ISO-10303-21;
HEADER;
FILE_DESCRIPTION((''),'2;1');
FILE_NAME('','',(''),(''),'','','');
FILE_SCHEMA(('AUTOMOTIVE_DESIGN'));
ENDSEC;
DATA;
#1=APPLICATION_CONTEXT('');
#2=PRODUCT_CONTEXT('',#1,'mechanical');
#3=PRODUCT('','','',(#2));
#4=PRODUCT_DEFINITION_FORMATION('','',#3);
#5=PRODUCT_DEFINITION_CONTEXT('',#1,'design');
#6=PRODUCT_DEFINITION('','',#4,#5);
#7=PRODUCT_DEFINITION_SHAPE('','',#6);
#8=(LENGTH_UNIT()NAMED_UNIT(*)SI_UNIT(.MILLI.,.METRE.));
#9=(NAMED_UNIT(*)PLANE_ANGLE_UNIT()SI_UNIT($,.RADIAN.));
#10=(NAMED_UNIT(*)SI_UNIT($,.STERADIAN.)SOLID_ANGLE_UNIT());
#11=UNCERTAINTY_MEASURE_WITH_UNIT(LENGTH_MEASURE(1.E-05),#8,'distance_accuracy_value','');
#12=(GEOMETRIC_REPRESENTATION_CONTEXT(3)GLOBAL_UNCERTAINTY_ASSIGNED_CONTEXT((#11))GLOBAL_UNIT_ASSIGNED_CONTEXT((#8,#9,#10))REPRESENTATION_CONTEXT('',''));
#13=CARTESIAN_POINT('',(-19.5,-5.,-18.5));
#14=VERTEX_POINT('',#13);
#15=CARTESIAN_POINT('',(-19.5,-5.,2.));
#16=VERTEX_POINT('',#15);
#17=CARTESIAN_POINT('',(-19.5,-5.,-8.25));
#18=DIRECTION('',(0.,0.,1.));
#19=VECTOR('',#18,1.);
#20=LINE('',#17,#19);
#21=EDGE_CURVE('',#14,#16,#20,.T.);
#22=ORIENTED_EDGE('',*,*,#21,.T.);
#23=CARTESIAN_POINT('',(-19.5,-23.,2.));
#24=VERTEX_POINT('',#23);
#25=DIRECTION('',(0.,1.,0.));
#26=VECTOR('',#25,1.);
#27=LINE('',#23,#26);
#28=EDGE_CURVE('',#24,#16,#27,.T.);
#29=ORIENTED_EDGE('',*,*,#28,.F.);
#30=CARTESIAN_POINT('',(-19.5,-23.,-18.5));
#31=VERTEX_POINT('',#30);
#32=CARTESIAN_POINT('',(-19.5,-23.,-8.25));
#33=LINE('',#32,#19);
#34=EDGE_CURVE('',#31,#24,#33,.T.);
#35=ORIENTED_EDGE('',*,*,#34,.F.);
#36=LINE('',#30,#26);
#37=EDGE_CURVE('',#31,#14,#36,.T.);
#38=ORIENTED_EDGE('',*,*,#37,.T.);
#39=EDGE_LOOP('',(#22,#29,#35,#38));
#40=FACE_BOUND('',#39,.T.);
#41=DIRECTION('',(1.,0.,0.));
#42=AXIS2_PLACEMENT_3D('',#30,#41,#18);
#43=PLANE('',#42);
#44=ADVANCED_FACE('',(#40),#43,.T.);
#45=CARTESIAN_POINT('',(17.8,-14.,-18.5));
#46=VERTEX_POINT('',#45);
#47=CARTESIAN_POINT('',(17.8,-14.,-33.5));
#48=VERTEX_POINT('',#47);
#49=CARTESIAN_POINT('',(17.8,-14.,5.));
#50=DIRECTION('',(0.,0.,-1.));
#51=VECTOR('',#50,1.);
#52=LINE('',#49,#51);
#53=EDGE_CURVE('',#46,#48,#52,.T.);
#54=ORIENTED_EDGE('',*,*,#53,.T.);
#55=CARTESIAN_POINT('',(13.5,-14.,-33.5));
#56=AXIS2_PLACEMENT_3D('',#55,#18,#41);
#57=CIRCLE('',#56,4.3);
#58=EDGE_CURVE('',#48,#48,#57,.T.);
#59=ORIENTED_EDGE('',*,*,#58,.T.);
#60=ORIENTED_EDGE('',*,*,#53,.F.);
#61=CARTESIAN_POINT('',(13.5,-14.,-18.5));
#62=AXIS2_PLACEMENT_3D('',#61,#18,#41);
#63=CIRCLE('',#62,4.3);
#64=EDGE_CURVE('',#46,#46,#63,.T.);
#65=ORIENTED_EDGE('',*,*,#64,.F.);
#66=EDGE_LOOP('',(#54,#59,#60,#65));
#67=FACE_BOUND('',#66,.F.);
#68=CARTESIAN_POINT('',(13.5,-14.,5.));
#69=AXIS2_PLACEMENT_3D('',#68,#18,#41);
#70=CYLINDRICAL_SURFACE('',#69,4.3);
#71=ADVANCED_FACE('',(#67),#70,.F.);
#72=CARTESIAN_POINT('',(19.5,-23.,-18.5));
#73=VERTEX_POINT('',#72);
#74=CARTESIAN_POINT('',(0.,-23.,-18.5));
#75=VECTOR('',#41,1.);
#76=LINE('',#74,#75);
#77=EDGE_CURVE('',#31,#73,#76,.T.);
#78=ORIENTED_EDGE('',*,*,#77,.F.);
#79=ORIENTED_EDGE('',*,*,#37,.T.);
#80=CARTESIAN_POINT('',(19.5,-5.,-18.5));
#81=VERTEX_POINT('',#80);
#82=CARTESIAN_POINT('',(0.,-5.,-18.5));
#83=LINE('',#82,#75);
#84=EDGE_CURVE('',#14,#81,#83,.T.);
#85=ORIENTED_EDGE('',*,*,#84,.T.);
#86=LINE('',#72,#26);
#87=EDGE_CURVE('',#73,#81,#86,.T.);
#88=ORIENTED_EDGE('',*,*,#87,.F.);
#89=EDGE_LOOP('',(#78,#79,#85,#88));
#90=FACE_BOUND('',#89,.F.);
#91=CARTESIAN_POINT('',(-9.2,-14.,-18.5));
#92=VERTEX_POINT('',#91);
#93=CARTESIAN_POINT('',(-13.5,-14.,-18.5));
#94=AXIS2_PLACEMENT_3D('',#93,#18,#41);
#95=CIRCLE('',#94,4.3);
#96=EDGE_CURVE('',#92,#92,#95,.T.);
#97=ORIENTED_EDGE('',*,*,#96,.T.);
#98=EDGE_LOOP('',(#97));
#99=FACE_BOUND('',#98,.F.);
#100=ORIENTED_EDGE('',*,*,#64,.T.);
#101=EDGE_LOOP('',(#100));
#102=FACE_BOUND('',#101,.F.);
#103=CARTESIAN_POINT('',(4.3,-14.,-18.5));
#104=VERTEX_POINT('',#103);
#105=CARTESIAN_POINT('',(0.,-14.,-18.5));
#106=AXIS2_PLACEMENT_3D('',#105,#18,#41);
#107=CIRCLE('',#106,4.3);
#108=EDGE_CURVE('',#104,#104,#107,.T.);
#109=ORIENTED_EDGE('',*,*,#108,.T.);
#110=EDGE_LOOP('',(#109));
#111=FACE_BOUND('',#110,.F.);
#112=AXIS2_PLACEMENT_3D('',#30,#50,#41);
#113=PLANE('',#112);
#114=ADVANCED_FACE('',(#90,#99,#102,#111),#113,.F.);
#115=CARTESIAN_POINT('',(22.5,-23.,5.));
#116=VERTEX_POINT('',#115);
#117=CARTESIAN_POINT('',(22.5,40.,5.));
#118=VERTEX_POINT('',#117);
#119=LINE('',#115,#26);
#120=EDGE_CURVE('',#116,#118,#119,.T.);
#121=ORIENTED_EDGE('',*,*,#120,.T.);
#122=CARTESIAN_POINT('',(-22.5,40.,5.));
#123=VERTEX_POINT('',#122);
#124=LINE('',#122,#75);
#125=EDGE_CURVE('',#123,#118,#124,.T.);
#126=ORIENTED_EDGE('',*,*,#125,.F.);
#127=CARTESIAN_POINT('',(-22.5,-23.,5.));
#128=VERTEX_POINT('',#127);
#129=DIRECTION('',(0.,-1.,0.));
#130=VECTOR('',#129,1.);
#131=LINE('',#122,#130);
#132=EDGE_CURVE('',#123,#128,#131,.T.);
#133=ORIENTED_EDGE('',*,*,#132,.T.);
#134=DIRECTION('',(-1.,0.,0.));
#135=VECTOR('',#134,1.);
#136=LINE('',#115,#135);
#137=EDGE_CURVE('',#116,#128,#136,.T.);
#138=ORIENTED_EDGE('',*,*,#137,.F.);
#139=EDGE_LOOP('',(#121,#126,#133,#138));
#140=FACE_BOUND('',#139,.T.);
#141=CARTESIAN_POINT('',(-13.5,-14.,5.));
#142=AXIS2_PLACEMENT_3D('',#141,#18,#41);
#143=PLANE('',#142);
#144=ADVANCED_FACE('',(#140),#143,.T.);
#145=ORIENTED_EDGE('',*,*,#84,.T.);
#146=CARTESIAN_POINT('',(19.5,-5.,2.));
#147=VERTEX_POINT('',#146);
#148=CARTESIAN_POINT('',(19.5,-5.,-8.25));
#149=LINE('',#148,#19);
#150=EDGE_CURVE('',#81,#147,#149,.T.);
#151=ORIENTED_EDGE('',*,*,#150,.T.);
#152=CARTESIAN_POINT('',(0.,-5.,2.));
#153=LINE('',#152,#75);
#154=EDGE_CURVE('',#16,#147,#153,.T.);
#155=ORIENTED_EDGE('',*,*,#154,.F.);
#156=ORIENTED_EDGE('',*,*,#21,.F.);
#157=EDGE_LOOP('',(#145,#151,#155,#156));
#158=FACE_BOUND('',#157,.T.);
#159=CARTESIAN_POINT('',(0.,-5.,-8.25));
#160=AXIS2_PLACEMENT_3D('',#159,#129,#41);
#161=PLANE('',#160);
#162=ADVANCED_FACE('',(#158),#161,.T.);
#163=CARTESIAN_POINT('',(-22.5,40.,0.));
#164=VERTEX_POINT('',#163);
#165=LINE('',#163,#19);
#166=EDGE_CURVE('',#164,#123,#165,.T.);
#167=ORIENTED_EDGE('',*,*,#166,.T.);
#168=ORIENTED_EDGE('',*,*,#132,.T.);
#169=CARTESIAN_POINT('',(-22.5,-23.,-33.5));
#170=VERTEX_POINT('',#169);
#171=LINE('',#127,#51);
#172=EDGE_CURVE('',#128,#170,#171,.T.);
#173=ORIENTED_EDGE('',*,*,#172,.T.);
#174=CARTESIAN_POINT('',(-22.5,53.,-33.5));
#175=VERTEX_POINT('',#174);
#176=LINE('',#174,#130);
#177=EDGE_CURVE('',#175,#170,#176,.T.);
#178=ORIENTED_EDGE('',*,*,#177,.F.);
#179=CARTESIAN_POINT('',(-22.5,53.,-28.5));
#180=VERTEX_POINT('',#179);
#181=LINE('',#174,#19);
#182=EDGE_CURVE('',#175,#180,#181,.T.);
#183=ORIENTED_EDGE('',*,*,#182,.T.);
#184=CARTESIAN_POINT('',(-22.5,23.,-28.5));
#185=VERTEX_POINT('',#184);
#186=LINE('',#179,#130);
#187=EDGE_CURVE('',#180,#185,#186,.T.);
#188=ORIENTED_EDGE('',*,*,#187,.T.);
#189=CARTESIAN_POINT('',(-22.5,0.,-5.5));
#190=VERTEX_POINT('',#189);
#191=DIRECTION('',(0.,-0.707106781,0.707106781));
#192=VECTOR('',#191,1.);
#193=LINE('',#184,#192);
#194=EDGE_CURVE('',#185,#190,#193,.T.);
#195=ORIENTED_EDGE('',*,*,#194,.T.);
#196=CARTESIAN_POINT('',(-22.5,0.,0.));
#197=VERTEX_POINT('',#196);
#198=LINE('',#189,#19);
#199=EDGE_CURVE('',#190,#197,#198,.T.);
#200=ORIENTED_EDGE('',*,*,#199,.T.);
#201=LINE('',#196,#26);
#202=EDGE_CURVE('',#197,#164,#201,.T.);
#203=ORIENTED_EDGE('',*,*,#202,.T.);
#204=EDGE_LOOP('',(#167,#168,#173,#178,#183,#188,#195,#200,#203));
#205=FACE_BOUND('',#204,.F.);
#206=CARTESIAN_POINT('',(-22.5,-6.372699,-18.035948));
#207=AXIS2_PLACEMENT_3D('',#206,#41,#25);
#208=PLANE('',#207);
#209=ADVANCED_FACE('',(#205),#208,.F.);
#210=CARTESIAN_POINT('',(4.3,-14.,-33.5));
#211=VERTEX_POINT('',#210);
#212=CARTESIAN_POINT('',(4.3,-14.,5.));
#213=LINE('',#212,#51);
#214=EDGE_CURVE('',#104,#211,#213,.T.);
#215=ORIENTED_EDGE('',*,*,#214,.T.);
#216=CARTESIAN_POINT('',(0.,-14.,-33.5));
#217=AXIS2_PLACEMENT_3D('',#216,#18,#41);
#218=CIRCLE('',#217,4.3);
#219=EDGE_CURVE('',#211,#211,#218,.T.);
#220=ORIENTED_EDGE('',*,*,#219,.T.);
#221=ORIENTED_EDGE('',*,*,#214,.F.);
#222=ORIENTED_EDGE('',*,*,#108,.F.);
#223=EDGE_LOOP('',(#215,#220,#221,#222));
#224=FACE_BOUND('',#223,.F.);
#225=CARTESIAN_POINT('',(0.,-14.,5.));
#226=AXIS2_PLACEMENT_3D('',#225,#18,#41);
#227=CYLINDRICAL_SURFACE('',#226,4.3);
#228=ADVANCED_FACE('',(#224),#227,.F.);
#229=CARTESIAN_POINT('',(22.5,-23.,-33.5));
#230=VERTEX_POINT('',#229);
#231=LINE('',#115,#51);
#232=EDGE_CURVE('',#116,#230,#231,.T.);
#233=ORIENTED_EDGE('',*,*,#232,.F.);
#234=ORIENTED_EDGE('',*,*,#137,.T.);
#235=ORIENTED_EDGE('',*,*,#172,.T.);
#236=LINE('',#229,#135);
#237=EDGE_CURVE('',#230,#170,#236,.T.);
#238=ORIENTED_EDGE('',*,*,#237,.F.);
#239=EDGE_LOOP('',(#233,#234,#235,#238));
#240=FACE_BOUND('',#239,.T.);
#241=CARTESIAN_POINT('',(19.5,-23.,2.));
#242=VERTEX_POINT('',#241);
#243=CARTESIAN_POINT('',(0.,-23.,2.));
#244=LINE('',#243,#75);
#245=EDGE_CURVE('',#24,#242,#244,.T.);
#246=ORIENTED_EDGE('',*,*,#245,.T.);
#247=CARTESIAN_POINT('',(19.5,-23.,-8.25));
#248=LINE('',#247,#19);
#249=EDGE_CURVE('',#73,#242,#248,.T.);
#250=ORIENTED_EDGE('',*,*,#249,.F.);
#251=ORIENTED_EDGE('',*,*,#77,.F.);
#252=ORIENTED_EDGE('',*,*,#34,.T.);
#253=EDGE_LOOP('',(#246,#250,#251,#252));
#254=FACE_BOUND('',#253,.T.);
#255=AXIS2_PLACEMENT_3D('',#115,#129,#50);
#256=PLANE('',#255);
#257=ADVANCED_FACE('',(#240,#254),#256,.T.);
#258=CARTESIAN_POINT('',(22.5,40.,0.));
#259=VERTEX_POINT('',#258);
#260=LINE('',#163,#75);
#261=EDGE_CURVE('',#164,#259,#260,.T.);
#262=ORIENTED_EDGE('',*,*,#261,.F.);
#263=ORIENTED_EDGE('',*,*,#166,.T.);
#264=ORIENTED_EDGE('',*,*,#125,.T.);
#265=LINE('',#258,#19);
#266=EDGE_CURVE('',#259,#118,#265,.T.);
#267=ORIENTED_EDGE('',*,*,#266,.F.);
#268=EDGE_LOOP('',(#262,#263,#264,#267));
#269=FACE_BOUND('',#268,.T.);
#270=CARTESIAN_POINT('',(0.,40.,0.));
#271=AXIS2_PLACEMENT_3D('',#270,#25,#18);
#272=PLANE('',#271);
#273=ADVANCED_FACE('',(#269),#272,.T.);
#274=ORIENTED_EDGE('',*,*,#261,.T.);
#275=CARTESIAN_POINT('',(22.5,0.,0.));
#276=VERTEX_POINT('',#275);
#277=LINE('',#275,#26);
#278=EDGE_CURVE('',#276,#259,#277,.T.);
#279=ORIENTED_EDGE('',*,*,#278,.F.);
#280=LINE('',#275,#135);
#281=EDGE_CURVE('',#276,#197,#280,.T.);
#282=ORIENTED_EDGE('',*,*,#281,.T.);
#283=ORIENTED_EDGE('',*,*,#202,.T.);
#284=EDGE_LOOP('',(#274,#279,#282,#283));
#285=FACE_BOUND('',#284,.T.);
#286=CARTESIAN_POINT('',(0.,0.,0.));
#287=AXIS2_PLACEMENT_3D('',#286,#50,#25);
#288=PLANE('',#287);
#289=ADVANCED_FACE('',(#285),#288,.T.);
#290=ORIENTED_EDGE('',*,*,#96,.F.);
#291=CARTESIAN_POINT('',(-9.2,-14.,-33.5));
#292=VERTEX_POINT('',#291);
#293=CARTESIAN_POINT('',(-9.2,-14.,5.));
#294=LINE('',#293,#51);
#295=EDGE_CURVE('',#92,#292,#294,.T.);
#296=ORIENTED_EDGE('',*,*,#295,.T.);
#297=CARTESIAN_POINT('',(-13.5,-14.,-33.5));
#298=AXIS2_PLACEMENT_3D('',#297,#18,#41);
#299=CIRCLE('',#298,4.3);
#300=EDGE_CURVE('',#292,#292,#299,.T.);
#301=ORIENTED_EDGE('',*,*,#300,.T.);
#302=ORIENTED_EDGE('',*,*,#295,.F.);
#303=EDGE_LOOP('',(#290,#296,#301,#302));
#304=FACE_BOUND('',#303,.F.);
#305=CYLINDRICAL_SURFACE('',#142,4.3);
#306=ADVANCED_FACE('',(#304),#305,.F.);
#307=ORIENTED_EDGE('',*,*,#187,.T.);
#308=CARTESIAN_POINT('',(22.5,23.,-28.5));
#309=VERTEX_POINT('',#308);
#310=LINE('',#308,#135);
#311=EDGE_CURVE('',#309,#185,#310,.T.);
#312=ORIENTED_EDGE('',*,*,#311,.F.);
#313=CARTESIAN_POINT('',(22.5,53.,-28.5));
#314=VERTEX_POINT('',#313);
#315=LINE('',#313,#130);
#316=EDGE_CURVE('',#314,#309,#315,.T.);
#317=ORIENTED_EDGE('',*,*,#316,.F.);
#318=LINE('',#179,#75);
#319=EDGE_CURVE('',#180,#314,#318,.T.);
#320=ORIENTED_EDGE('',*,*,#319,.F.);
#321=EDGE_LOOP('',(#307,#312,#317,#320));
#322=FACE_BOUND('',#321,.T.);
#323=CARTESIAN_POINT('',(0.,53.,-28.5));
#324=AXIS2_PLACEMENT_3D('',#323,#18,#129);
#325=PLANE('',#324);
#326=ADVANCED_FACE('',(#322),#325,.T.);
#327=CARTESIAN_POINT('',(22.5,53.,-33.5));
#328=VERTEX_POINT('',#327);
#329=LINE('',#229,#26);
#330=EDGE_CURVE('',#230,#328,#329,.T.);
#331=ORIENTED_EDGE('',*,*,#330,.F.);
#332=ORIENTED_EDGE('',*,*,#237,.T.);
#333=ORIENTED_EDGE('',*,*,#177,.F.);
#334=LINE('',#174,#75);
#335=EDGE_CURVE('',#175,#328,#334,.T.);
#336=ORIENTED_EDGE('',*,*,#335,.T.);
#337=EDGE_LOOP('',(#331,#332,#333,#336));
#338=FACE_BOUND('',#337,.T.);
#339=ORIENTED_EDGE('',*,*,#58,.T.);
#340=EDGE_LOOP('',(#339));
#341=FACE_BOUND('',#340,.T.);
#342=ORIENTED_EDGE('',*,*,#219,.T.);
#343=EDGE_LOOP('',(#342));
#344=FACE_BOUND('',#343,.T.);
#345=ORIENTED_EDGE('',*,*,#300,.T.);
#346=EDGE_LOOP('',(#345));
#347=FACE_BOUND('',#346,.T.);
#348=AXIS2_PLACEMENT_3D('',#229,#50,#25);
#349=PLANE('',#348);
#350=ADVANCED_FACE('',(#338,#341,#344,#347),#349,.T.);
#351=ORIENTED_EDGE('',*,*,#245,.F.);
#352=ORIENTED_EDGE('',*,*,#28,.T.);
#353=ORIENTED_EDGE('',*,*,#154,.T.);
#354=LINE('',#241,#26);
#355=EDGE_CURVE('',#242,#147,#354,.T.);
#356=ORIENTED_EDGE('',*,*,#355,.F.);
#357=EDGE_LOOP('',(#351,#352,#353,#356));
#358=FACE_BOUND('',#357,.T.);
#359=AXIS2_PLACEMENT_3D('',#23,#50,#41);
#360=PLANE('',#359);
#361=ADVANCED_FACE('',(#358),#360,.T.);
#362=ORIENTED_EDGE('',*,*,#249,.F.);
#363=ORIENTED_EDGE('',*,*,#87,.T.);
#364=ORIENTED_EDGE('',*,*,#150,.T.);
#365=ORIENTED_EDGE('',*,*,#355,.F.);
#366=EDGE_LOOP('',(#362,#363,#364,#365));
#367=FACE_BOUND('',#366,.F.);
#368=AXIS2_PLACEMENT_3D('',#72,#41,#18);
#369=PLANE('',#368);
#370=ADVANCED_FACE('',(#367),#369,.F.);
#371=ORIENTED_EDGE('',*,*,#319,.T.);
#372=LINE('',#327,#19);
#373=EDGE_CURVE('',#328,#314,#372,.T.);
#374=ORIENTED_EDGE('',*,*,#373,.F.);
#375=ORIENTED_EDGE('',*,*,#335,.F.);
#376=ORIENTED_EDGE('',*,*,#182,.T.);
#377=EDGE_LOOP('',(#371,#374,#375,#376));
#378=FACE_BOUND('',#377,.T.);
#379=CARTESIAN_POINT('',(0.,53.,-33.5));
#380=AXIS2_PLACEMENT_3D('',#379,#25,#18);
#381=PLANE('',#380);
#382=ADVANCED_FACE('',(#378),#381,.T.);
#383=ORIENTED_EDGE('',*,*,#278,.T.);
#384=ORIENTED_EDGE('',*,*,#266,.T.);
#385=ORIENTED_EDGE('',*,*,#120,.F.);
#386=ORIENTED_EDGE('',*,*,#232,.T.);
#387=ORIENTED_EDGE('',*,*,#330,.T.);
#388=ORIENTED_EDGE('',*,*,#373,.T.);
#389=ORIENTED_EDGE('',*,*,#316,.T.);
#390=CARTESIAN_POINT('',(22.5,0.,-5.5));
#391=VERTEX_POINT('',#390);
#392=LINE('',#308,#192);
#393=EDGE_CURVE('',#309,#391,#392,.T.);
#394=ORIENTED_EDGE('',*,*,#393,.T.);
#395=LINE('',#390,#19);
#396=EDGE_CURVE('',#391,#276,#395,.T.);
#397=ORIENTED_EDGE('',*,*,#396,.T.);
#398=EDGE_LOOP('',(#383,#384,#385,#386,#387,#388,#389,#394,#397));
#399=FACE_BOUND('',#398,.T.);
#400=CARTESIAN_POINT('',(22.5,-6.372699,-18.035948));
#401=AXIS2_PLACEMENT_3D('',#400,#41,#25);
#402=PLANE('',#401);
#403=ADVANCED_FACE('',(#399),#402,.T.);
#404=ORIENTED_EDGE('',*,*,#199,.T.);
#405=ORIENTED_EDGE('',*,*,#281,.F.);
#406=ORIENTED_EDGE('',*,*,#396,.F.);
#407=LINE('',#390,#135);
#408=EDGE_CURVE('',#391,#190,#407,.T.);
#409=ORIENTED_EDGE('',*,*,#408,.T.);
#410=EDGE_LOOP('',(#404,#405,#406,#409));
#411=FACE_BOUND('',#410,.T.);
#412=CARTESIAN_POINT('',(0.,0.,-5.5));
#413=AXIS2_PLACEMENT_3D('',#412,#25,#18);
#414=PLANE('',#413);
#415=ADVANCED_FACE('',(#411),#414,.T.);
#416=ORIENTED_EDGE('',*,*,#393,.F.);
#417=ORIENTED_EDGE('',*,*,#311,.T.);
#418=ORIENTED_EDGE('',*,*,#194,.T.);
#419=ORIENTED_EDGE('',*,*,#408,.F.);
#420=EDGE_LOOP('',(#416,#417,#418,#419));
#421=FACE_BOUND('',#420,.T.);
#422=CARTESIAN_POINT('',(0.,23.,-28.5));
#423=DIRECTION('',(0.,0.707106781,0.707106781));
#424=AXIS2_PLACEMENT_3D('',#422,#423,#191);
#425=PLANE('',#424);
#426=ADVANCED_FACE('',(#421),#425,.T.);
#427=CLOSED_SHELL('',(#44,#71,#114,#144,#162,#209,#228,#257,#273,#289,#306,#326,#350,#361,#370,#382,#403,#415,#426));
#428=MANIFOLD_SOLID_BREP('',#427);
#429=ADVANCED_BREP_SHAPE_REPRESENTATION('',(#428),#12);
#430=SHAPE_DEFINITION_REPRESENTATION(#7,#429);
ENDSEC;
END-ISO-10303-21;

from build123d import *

# Parameters (mm, degrees)
F1_DEPTH  = 22.5
F3_DEPTH  = 45
F4_R      = 4.3
F5_DEPTH  = 38.501
F6_W      = 39
F6_H      = 20.5
F7_DEPTH  = 18
F8_DEPTH  = 18
F9_R      = 4.3
F10_DEPTH = 3


with BuildPart() as f1:
    # F0 (on Right) → F1 (new body, symmetric)
    with BuildSketch(Plane.YZ):
        Polygon((0, 0), (40, 0), (40, 5), (-5, 5), (-5, -7.571068), (20.928932, -33.5), (53, -33.5), (53, -28.5), (23, -28.5), (0, -5.5), align=None)
    extrude(amount=F1_DEPTH, both=True)

    # F2 (on face) → F3 (join, through all)
    with BuildSketch(Plane.YZ.offset(22.5)):
        Polygon((-5, -7.571068), (-5, 5), (-23, 5), (-23, -33.5), (20.928932, -33.5), align=None)
    extrude(amount=-F3_DEPTH)

    # F4 (on face) → F5 (cut, through all)
    with BuildSketch(Plane.XY.offset(5)):
        with Locations((0, -14)):
            Circle(F4_R)
        with Locations((13.5, -14)):
            Circle(F4_R)
        with Locations((-13.5, -14)):
            Circle(F4_R)
    extrude(amount=-F5_DEPTH, mode=Mode.SUBTRACT)

    # F6 (on face) → F7 (cut)
    with BuildSketch(Plane.XZ.offset(23)):
        with Locations((0, -8.25)):
            Rectangle(F6_W, F6_H)
    extrude(amount=-F7_DEPTH, mode=Mode.SUBTRACT)

    # F6 (on face) → F8 (cut)
    with BuildSketch(Plane.XZ.offset(23)):
        with Locations((0, -8.25)):
            Rectangle(F6_W, F6_H)
    extrude(amount=-F8_DEPTH, mode=Mode.SUBTRACT)

    # F9 (on face) → F10 (join, through all)
    with BuildSketch(Plane.XY.offset(5)):
        with Locations((-13.5, -14)):
            Circle(F9_R)
        with Locations((0, -14)):
            Circle(F9_R)
        with Locations((13.5, -14)):
            Circle(F9_R)
    extrude(amount=-F10_DEPTH)


solid = f1.part
